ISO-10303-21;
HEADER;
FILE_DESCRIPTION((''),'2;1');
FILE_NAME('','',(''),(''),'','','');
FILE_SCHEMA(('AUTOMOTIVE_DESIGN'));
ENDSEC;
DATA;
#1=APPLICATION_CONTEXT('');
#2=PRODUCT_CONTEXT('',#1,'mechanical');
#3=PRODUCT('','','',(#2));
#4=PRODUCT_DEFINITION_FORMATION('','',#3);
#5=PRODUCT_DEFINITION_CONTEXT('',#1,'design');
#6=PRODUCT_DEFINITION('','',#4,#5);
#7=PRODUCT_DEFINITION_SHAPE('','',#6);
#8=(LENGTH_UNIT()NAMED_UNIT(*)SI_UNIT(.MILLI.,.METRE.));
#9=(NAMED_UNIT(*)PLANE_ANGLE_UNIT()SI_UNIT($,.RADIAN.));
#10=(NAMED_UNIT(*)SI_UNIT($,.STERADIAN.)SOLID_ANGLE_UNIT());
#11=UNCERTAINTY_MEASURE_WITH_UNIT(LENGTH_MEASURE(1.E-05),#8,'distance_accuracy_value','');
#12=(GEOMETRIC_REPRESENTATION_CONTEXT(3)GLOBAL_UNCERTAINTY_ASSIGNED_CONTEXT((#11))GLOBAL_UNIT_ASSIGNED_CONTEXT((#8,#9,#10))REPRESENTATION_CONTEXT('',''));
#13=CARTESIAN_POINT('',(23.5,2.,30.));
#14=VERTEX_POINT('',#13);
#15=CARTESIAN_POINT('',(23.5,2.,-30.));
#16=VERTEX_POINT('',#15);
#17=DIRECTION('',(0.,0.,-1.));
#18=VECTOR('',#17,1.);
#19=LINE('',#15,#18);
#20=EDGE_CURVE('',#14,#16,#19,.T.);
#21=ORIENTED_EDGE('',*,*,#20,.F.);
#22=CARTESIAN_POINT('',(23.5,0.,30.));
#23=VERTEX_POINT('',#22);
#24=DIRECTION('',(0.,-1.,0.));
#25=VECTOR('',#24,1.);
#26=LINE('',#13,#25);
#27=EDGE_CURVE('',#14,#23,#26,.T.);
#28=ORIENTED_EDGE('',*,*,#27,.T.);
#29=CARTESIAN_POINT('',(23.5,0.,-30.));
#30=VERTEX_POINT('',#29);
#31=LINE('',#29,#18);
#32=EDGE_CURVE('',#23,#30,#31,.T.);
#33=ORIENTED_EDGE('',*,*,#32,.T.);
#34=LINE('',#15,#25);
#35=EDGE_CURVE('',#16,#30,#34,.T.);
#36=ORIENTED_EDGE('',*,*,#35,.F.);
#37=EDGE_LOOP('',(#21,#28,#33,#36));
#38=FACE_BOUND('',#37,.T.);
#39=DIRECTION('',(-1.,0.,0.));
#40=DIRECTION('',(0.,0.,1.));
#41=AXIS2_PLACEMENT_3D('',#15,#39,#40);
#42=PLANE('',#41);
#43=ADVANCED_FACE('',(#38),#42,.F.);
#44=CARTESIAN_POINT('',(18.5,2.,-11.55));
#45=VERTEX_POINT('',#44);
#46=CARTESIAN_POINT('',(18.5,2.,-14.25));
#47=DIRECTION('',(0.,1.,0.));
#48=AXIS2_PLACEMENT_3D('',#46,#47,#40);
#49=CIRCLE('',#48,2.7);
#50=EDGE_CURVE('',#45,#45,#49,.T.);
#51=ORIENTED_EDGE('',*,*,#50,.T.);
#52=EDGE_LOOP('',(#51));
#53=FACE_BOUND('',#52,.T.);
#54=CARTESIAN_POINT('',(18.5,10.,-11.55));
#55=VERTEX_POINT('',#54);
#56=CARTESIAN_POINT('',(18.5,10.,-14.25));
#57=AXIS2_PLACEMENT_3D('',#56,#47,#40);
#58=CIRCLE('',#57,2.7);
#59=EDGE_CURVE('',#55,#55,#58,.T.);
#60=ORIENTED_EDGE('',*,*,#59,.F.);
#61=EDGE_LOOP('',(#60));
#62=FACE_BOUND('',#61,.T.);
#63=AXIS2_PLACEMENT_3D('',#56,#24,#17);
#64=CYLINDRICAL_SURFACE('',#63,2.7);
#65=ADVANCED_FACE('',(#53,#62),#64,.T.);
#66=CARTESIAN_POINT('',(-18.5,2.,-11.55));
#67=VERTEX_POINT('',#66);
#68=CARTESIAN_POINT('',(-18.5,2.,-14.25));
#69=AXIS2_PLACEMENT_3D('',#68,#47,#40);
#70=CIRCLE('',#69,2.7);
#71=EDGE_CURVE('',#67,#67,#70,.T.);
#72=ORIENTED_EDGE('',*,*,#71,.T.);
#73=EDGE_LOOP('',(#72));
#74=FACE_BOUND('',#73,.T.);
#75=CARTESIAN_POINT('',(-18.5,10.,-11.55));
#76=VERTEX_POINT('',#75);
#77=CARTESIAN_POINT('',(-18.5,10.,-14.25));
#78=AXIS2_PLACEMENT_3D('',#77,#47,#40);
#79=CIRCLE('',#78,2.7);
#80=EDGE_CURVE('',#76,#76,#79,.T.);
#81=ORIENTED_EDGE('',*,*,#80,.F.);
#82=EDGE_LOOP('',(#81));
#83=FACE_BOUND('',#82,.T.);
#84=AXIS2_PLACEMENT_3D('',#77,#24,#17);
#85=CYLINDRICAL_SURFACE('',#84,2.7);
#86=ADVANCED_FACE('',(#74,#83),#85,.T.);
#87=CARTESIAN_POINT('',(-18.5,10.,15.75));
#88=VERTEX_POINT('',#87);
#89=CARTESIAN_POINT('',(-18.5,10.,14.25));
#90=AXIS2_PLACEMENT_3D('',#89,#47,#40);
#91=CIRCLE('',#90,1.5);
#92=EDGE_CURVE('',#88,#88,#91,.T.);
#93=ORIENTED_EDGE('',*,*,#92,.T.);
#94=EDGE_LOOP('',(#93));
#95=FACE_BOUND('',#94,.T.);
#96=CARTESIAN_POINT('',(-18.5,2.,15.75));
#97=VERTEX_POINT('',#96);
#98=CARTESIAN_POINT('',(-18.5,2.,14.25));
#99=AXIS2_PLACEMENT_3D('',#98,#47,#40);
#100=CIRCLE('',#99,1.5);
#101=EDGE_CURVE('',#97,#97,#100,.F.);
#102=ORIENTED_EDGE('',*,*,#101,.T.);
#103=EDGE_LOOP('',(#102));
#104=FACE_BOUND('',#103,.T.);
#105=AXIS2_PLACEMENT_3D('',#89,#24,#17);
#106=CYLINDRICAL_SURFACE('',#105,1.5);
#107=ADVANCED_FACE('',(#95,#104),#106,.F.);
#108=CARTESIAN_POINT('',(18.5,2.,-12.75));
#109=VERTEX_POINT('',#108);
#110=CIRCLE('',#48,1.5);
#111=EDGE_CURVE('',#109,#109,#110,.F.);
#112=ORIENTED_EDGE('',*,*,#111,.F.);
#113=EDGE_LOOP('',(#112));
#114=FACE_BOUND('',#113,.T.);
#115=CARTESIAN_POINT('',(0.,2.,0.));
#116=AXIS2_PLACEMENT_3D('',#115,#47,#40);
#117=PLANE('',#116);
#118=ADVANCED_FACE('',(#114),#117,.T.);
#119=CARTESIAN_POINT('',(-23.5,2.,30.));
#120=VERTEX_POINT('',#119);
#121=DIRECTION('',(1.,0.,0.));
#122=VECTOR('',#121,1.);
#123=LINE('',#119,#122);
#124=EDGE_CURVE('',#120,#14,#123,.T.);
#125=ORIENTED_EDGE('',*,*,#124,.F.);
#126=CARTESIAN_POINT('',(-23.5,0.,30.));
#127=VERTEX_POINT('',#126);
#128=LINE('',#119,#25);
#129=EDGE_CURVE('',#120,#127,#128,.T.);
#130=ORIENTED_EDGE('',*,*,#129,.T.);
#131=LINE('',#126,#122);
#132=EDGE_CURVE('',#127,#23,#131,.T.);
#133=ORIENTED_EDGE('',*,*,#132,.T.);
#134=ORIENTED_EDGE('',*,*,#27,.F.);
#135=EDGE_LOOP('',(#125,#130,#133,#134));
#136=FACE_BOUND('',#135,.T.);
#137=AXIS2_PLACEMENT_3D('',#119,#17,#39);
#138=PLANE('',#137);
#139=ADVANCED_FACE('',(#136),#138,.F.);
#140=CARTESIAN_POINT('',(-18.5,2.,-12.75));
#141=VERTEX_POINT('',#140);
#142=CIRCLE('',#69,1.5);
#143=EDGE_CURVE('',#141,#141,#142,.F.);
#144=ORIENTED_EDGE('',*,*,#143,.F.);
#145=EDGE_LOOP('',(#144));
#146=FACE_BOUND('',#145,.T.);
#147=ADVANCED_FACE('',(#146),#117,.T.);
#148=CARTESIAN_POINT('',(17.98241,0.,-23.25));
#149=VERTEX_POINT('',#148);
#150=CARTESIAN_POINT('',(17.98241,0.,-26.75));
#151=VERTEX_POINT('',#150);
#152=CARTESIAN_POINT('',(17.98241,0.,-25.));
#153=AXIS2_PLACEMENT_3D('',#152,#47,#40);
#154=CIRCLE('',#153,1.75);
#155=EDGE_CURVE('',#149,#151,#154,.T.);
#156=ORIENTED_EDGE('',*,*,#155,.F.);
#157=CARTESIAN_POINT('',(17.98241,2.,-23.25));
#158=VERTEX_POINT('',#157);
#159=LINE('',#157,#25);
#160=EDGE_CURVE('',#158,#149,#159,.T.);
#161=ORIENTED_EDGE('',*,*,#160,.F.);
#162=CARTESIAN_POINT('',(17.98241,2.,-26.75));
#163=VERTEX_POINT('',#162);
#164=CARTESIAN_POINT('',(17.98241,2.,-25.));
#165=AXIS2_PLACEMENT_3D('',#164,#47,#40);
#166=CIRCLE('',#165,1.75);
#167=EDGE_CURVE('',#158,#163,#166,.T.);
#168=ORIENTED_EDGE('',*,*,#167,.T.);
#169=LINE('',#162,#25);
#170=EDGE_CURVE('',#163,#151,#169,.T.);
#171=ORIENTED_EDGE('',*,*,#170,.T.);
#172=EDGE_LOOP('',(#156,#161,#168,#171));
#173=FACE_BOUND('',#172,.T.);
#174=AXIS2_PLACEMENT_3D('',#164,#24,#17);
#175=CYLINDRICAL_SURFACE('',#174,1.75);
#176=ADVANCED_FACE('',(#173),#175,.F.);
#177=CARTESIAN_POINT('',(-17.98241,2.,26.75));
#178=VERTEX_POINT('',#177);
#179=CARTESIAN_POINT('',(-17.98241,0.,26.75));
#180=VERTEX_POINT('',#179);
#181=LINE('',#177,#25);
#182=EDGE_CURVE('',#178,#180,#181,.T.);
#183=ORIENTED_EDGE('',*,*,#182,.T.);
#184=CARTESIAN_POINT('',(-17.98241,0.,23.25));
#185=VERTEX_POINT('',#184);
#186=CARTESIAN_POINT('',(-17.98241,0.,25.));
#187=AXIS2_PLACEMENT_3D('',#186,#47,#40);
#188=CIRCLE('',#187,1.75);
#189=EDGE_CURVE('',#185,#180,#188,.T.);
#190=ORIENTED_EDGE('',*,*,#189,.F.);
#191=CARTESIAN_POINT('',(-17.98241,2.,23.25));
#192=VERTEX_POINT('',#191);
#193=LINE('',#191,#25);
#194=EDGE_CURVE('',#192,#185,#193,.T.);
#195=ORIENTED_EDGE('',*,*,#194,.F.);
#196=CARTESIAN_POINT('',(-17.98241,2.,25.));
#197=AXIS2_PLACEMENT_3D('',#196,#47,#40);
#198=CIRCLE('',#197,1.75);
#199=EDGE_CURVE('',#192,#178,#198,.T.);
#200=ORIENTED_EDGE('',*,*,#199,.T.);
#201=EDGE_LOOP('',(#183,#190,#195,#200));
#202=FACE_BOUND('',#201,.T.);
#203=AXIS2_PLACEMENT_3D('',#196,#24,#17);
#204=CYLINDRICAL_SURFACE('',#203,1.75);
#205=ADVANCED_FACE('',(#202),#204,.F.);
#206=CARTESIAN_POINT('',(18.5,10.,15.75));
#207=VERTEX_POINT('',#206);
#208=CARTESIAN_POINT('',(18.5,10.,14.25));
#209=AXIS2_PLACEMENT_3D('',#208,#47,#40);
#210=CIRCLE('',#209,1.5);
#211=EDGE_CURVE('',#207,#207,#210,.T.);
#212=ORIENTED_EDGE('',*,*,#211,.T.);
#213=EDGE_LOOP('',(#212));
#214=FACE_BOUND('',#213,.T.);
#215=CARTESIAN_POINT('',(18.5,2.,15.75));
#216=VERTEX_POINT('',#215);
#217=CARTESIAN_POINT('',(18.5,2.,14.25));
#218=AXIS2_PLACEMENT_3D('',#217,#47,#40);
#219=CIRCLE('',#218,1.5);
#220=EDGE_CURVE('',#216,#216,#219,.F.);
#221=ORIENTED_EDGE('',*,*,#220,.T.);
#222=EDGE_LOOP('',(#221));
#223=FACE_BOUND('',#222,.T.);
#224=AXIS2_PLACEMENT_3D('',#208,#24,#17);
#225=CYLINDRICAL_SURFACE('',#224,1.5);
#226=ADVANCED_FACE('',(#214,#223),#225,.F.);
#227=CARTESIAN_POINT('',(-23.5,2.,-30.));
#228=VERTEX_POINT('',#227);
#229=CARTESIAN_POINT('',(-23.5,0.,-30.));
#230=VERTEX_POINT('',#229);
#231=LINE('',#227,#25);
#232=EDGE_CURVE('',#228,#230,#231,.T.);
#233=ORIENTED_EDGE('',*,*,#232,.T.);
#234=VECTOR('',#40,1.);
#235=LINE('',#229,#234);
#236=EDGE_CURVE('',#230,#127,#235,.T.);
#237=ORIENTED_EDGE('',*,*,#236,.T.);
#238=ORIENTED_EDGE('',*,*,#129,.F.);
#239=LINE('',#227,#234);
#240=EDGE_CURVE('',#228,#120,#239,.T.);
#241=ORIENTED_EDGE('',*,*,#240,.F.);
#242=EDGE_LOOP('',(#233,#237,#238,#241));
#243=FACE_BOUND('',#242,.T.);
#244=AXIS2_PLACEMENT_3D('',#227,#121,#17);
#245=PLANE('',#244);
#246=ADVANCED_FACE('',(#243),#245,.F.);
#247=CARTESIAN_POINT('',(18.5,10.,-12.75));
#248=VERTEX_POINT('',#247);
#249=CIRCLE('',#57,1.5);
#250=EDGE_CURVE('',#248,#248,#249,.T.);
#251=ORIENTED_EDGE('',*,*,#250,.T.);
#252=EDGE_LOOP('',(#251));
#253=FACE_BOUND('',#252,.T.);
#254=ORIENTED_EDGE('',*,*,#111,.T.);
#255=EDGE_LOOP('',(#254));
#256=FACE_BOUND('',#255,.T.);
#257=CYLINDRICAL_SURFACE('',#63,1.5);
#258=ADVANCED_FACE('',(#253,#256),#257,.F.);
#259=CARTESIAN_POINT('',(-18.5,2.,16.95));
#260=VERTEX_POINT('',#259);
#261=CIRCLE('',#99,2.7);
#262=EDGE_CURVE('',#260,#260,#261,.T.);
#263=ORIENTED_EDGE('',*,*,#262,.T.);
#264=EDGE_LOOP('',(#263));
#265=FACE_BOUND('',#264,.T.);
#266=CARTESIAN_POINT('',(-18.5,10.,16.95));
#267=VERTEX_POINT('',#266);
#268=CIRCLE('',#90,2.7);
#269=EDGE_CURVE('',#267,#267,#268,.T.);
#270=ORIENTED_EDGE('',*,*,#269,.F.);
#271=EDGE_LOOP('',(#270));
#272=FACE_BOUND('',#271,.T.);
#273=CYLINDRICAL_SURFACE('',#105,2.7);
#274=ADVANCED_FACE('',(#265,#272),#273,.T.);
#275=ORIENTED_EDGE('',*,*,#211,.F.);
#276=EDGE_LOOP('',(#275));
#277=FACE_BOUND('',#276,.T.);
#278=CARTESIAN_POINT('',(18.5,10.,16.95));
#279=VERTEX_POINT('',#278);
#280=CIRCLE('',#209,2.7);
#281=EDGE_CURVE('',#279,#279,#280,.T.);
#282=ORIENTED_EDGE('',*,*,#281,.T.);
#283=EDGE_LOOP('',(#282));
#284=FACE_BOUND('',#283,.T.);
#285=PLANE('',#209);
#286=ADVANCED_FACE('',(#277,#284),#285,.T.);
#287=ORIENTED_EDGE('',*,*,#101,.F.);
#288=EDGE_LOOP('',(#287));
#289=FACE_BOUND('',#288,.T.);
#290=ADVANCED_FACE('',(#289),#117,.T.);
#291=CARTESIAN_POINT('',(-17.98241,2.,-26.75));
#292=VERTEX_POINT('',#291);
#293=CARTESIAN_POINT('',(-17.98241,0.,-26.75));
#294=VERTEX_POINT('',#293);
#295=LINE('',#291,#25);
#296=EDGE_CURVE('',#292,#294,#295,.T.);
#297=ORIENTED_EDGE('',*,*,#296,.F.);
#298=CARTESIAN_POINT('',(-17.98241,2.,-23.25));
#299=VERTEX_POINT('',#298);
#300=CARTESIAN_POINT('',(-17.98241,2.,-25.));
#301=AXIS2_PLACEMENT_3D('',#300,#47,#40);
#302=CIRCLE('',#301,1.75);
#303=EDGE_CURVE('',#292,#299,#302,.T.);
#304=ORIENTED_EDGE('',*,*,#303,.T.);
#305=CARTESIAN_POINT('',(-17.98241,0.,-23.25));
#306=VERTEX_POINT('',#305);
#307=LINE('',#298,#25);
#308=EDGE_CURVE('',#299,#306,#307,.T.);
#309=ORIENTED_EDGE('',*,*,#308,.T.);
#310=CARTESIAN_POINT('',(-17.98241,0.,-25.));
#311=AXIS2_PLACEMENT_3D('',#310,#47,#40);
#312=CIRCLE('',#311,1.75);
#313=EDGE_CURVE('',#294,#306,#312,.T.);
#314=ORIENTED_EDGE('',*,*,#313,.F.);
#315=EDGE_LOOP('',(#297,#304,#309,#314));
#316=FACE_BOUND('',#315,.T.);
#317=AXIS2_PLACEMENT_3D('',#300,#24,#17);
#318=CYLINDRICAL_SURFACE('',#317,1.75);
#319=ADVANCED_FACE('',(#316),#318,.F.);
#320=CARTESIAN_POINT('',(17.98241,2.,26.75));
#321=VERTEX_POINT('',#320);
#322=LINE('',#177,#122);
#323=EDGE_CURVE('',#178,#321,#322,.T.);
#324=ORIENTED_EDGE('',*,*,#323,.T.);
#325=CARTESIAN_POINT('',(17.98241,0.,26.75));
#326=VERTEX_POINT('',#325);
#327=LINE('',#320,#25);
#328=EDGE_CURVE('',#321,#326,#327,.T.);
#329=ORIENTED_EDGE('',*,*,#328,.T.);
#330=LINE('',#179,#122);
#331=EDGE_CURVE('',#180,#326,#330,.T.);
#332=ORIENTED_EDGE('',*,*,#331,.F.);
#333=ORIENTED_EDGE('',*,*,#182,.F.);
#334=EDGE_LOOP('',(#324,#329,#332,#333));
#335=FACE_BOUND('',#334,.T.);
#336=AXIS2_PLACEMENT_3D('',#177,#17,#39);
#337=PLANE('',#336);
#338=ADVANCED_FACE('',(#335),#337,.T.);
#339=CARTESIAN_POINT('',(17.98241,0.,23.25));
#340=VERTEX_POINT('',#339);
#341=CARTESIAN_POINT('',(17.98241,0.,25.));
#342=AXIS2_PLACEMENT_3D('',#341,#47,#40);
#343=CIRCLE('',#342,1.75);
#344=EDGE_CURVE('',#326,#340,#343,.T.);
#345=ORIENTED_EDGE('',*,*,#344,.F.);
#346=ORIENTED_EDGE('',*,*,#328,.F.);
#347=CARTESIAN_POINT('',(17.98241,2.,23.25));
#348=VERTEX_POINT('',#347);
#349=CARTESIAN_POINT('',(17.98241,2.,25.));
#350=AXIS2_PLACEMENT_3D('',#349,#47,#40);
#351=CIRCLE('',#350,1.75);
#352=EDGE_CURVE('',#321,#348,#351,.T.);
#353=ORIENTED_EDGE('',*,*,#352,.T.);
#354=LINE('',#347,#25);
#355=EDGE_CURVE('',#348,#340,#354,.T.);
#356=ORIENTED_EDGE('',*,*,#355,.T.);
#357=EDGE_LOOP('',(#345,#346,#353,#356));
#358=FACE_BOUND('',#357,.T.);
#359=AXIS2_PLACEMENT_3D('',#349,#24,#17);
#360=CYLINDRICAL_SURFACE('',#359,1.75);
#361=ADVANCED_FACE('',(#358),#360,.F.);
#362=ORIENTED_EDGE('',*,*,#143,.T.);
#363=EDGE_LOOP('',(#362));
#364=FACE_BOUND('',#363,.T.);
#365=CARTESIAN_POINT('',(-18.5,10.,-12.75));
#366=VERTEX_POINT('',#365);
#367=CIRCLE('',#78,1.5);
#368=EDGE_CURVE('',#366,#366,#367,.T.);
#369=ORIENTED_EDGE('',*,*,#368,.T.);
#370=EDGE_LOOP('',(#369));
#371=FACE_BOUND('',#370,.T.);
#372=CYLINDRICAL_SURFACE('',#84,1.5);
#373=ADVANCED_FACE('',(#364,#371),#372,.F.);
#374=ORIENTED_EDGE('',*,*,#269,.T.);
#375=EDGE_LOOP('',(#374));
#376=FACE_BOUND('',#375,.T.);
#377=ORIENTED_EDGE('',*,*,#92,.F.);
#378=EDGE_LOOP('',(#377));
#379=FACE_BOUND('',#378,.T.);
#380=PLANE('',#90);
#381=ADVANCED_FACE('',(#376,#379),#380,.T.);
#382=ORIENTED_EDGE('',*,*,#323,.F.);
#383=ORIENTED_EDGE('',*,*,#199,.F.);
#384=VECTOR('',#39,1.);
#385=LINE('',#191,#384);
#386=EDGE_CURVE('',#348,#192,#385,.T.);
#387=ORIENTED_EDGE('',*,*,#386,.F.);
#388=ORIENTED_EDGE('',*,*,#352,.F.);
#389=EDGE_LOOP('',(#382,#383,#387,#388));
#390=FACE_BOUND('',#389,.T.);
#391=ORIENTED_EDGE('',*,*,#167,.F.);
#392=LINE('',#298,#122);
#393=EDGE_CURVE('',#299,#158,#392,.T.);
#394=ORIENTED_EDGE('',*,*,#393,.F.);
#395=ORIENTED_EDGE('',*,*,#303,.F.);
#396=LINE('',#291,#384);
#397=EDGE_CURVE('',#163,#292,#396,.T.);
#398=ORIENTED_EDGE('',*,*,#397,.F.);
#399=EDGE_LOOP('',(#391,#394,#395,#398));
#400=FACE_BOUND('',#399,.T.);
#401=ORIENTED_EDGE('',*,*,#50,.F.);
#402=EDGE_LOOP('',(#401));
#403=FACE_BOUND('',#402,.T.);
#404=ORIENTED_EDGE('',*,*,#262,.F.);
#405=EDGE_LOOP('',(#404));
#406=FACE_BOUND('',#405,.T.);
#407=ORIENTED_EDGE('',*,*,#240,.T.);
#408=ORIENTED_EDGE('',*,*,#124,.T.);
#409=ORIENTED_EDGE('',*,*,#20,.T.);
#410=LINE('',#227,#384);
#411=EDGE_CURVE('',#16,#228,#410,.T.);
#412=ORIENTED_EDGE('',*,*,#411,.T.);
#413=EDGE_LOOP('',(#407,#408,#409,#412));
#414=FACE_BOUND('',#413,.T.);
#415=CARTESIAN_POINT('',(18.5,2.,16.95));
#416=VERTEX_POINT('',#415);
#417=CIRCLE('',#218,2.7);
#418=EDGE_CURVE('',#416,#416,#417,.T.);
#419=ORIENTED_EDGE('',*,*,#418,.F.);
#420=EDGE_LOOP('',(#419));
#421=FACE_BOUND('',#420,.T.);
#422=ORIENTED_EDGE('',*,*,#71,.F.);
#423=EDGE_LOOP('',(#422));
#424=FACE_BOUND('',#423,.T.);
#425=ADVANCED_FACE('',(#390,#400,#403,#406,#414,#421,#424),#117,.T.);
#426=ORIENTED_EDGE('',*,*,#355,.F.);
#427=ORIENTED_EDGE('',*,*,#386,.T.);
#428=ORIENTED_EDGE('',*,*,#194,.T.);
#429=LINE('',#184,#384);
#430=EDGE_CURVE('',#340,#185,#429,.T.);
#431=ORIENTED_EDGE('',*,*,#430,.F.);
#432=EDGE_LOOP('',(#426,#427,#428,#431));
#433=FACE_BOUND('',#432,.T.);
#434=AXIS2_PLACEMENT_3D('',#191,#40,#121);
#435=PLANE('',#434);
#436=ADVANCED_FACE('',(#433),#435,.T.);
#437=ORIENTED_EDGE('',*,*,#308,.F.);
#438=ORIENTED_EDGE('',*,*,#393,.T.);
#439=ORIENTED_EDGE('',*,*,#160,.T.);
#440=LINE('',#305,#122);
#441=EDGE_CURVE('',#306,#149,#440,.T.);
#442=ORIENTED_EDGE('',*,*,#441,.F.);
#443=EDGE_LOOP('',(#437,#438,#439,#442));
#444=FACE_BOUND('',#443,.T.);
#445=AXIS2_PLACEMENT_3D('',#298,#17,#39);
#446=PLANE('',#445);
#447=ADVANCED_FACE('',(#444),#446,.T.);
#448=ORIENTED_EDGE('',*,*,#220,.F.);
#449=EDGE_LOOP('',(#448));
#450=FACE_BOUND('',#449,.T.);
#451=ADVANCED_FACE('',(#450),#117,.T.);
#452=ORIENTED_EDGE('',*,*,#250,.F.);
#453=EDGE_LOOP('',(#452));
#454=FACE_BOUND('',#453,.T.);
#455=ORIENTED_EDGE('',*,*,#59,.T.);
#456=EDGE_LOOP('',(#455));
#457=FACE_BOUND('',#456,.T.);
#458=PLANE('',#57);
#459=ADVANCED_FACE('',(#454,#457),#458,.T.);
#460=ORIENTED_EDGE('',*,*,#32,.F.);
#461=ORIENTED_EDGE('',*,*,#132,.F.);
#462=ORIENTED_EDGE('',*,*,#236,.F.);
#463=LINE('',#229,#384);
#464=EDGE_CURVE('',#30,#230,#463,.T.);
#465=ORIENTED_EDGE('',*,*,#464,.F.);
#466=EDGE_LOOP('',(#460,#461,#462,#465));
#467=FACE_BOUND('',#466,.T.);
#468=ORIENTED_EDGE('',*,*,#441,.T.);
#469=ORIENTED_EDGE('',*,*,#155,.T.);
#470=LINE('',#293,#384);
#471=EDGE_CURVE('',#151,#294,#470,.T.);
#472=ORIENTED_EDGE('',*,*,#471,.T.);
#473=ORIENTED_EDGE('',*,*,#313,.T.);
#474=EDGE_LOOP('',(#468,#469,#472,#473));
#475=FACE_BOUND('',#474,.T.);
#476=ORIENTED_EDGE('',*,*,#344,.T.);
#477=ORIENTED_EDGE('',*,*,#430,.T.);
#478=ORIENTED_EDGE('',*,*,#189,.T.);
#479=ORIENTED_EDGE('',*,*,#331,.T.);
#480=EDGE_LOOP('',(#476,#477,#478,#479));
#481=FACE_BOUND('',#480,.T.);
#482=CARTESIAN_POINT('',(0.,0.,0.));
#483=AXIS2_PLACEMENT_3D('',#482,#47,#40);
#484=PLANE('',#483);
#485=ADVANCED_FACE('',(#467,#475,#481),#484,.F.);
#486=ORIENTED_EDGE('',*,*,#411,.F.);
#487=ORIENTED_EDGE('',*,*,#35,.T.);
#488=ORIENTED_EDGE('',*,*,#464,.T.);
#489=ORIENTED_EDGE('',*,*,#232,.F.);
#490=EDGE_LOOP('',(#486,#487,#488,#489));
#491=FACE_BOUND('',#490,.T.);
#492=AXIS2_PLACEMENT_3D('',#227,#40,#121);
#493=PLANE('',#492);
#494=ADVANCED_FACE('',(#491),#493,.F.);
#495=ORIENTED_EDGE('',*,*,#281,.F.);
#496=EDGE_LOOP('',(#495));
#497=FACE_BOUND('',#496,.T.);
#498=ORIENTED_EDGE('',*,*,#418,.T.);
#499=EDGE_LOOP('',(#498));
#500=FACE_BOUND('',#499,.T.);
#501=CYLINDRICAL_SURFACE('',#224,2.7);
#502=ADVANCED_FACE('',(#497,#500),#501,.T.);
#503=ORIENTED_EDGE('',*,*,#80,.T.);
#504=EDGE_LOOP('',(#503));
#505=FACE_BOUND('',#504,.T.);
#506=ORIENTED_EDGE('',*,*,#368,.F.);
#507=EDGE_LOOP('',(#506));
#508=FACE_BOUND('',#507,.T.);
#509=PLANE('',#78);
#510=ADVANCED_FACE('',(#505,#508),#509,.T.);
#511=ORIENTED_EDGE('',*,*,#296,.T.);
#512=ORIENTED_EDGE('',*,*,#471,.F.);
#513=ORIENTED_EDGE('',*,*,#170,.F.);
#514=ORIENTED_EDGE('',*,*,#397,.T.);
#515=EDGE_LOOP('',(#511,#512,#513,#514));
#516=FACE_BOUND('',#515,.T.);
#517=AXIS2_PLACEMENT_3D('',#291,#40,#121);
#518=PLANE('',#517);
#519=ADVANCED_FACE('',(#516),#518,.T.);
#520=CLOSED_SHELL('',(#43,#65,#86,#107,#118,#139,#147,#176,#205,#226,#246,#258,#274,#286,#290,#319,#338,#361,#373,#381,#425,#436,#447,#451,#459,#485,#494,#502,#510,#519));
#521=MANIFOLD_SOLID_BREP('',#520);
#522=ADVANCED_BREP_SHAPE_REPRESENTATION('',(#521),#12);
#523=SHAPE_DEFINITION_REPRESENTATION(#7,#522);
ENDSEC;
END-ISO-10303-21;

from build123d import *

# Parameters (mm, degrees)
SKETCH1_W           = 47
SKETCH1_H           = 60
BOSS_EXTRUDE1_DEPTH = 2
SKETCH2_R           = 2.7
SKETCH2_R_2         = 1.5
BOSS_EXTRUDE2_DEPTH = 8


with BuildPart() as part:
    # Sketch1 → Boss-Extrude1 (new body)
    with BuildSketch(Plane(origin=(0, 0, 0), x_dir=(1, 0, 0), z_dir=(0, 1, 0))):
        Rectangle(SKETCH1_W, SKETCH1_H)
        with BuildLine():
            Line((-17.98240987, 26.75), (17.98240987, 26.75))
            ThreePointArc((17.98240987, 26.75), (19.73240987, 25), (17.98240987, 23.25))
            Line((17.98240987, 23.25), (-17.98240987, 23.25))
            ThreePointArc((-17.98240987, 23.25), (-19.73240987, 25), (-17.98240987, 26.75))
        make_face(mode=Mode.SUBTRACT)
        with BuildLine():
            Line((-17.98240987, -23.25), (17.98240987, -23.25))
            ThreePointArc((17.98240987, -23.25), (19.73240987, -25), (17.98240987, -26.75))
            Line((17.98240987, -26.75), (-17.98240987, -26.75))
            ThreePointArc((-17.98240987, -26.75), (-19.73240987, -25), (-17.98240987, -23.25))
        make_face(mode=Mode.SUBTRACT)
    extrude(amount=BOSS_EXTRUDE1_DEPTH)

    # Sketch2 → Boss-Extrude2 (add)
    # profile 1 of 4: a face of its own
    with BuildSketch(Plane(origin=(0, 2, 0), x_dir=(1, 0, 0), z_dir=(0, 1, 0))):
        with Locations(Location((-18.5, 14.25, 0), (0, 0, 270))):
            Circle(SKETCH2_R)
        with Locations(Location((-18.5, 14.25, 0), (0, 0, 270))):
            Circle(SKETCH2_R_2, mode=Mode.SUBTRACT)
    # profile 2 of 4: a face of its own
    with BuildSketch(Plane(origin=(0, 2, 0), x_dir=(1, 0, 0), z_dir=(0, 1, 0))):
        with Locations(Location((18.5, 14.25, 0), (0, 0, 270))):
            Circle(SKETCH2_R)
        with Locations(Location((18.5, 14.25, 0), (0, 0, 270))):
            Circle(SKETCH2_R_2, mode=Mode.SUBTRACT)
    # profile 3 of 4: a face of its own
    with BuildSketch(Plane(origin=(0, 2, 0), x_dir=(1, 0, 0), z_dir=(0, 1, 0))):
        with Locations(Location((18.5, -14.25, 0), (0, 0, 270))):
            Circle(SKETCH2_R)
        with Locations(Location((18.5, -14.25, 0), (0, 0, 270))):
            Circle(SKETCH2_R_2, mode=Mode.SUBTRACT)
    # profile 4 of 4: a face of its own
    with BuildSketch(Plane(origin=(0, 2, 0), x_dir=(1, 0, 0), z_dir=(0, 1, 0))):
        with Locations(Location((-18.5, -14.25, 0), (0, 0, 270))):
            Circle(SKETCH2_R)
        with Locations(Location((-18.5, -14.25, 0), (0, 0, 270))):
            Circle(SKETCH2_R_2, mode=Mode.SUBTRACT)
    extrude(amount=BOSS_EXTRUDE2_DEPTH)


solid = part.part
